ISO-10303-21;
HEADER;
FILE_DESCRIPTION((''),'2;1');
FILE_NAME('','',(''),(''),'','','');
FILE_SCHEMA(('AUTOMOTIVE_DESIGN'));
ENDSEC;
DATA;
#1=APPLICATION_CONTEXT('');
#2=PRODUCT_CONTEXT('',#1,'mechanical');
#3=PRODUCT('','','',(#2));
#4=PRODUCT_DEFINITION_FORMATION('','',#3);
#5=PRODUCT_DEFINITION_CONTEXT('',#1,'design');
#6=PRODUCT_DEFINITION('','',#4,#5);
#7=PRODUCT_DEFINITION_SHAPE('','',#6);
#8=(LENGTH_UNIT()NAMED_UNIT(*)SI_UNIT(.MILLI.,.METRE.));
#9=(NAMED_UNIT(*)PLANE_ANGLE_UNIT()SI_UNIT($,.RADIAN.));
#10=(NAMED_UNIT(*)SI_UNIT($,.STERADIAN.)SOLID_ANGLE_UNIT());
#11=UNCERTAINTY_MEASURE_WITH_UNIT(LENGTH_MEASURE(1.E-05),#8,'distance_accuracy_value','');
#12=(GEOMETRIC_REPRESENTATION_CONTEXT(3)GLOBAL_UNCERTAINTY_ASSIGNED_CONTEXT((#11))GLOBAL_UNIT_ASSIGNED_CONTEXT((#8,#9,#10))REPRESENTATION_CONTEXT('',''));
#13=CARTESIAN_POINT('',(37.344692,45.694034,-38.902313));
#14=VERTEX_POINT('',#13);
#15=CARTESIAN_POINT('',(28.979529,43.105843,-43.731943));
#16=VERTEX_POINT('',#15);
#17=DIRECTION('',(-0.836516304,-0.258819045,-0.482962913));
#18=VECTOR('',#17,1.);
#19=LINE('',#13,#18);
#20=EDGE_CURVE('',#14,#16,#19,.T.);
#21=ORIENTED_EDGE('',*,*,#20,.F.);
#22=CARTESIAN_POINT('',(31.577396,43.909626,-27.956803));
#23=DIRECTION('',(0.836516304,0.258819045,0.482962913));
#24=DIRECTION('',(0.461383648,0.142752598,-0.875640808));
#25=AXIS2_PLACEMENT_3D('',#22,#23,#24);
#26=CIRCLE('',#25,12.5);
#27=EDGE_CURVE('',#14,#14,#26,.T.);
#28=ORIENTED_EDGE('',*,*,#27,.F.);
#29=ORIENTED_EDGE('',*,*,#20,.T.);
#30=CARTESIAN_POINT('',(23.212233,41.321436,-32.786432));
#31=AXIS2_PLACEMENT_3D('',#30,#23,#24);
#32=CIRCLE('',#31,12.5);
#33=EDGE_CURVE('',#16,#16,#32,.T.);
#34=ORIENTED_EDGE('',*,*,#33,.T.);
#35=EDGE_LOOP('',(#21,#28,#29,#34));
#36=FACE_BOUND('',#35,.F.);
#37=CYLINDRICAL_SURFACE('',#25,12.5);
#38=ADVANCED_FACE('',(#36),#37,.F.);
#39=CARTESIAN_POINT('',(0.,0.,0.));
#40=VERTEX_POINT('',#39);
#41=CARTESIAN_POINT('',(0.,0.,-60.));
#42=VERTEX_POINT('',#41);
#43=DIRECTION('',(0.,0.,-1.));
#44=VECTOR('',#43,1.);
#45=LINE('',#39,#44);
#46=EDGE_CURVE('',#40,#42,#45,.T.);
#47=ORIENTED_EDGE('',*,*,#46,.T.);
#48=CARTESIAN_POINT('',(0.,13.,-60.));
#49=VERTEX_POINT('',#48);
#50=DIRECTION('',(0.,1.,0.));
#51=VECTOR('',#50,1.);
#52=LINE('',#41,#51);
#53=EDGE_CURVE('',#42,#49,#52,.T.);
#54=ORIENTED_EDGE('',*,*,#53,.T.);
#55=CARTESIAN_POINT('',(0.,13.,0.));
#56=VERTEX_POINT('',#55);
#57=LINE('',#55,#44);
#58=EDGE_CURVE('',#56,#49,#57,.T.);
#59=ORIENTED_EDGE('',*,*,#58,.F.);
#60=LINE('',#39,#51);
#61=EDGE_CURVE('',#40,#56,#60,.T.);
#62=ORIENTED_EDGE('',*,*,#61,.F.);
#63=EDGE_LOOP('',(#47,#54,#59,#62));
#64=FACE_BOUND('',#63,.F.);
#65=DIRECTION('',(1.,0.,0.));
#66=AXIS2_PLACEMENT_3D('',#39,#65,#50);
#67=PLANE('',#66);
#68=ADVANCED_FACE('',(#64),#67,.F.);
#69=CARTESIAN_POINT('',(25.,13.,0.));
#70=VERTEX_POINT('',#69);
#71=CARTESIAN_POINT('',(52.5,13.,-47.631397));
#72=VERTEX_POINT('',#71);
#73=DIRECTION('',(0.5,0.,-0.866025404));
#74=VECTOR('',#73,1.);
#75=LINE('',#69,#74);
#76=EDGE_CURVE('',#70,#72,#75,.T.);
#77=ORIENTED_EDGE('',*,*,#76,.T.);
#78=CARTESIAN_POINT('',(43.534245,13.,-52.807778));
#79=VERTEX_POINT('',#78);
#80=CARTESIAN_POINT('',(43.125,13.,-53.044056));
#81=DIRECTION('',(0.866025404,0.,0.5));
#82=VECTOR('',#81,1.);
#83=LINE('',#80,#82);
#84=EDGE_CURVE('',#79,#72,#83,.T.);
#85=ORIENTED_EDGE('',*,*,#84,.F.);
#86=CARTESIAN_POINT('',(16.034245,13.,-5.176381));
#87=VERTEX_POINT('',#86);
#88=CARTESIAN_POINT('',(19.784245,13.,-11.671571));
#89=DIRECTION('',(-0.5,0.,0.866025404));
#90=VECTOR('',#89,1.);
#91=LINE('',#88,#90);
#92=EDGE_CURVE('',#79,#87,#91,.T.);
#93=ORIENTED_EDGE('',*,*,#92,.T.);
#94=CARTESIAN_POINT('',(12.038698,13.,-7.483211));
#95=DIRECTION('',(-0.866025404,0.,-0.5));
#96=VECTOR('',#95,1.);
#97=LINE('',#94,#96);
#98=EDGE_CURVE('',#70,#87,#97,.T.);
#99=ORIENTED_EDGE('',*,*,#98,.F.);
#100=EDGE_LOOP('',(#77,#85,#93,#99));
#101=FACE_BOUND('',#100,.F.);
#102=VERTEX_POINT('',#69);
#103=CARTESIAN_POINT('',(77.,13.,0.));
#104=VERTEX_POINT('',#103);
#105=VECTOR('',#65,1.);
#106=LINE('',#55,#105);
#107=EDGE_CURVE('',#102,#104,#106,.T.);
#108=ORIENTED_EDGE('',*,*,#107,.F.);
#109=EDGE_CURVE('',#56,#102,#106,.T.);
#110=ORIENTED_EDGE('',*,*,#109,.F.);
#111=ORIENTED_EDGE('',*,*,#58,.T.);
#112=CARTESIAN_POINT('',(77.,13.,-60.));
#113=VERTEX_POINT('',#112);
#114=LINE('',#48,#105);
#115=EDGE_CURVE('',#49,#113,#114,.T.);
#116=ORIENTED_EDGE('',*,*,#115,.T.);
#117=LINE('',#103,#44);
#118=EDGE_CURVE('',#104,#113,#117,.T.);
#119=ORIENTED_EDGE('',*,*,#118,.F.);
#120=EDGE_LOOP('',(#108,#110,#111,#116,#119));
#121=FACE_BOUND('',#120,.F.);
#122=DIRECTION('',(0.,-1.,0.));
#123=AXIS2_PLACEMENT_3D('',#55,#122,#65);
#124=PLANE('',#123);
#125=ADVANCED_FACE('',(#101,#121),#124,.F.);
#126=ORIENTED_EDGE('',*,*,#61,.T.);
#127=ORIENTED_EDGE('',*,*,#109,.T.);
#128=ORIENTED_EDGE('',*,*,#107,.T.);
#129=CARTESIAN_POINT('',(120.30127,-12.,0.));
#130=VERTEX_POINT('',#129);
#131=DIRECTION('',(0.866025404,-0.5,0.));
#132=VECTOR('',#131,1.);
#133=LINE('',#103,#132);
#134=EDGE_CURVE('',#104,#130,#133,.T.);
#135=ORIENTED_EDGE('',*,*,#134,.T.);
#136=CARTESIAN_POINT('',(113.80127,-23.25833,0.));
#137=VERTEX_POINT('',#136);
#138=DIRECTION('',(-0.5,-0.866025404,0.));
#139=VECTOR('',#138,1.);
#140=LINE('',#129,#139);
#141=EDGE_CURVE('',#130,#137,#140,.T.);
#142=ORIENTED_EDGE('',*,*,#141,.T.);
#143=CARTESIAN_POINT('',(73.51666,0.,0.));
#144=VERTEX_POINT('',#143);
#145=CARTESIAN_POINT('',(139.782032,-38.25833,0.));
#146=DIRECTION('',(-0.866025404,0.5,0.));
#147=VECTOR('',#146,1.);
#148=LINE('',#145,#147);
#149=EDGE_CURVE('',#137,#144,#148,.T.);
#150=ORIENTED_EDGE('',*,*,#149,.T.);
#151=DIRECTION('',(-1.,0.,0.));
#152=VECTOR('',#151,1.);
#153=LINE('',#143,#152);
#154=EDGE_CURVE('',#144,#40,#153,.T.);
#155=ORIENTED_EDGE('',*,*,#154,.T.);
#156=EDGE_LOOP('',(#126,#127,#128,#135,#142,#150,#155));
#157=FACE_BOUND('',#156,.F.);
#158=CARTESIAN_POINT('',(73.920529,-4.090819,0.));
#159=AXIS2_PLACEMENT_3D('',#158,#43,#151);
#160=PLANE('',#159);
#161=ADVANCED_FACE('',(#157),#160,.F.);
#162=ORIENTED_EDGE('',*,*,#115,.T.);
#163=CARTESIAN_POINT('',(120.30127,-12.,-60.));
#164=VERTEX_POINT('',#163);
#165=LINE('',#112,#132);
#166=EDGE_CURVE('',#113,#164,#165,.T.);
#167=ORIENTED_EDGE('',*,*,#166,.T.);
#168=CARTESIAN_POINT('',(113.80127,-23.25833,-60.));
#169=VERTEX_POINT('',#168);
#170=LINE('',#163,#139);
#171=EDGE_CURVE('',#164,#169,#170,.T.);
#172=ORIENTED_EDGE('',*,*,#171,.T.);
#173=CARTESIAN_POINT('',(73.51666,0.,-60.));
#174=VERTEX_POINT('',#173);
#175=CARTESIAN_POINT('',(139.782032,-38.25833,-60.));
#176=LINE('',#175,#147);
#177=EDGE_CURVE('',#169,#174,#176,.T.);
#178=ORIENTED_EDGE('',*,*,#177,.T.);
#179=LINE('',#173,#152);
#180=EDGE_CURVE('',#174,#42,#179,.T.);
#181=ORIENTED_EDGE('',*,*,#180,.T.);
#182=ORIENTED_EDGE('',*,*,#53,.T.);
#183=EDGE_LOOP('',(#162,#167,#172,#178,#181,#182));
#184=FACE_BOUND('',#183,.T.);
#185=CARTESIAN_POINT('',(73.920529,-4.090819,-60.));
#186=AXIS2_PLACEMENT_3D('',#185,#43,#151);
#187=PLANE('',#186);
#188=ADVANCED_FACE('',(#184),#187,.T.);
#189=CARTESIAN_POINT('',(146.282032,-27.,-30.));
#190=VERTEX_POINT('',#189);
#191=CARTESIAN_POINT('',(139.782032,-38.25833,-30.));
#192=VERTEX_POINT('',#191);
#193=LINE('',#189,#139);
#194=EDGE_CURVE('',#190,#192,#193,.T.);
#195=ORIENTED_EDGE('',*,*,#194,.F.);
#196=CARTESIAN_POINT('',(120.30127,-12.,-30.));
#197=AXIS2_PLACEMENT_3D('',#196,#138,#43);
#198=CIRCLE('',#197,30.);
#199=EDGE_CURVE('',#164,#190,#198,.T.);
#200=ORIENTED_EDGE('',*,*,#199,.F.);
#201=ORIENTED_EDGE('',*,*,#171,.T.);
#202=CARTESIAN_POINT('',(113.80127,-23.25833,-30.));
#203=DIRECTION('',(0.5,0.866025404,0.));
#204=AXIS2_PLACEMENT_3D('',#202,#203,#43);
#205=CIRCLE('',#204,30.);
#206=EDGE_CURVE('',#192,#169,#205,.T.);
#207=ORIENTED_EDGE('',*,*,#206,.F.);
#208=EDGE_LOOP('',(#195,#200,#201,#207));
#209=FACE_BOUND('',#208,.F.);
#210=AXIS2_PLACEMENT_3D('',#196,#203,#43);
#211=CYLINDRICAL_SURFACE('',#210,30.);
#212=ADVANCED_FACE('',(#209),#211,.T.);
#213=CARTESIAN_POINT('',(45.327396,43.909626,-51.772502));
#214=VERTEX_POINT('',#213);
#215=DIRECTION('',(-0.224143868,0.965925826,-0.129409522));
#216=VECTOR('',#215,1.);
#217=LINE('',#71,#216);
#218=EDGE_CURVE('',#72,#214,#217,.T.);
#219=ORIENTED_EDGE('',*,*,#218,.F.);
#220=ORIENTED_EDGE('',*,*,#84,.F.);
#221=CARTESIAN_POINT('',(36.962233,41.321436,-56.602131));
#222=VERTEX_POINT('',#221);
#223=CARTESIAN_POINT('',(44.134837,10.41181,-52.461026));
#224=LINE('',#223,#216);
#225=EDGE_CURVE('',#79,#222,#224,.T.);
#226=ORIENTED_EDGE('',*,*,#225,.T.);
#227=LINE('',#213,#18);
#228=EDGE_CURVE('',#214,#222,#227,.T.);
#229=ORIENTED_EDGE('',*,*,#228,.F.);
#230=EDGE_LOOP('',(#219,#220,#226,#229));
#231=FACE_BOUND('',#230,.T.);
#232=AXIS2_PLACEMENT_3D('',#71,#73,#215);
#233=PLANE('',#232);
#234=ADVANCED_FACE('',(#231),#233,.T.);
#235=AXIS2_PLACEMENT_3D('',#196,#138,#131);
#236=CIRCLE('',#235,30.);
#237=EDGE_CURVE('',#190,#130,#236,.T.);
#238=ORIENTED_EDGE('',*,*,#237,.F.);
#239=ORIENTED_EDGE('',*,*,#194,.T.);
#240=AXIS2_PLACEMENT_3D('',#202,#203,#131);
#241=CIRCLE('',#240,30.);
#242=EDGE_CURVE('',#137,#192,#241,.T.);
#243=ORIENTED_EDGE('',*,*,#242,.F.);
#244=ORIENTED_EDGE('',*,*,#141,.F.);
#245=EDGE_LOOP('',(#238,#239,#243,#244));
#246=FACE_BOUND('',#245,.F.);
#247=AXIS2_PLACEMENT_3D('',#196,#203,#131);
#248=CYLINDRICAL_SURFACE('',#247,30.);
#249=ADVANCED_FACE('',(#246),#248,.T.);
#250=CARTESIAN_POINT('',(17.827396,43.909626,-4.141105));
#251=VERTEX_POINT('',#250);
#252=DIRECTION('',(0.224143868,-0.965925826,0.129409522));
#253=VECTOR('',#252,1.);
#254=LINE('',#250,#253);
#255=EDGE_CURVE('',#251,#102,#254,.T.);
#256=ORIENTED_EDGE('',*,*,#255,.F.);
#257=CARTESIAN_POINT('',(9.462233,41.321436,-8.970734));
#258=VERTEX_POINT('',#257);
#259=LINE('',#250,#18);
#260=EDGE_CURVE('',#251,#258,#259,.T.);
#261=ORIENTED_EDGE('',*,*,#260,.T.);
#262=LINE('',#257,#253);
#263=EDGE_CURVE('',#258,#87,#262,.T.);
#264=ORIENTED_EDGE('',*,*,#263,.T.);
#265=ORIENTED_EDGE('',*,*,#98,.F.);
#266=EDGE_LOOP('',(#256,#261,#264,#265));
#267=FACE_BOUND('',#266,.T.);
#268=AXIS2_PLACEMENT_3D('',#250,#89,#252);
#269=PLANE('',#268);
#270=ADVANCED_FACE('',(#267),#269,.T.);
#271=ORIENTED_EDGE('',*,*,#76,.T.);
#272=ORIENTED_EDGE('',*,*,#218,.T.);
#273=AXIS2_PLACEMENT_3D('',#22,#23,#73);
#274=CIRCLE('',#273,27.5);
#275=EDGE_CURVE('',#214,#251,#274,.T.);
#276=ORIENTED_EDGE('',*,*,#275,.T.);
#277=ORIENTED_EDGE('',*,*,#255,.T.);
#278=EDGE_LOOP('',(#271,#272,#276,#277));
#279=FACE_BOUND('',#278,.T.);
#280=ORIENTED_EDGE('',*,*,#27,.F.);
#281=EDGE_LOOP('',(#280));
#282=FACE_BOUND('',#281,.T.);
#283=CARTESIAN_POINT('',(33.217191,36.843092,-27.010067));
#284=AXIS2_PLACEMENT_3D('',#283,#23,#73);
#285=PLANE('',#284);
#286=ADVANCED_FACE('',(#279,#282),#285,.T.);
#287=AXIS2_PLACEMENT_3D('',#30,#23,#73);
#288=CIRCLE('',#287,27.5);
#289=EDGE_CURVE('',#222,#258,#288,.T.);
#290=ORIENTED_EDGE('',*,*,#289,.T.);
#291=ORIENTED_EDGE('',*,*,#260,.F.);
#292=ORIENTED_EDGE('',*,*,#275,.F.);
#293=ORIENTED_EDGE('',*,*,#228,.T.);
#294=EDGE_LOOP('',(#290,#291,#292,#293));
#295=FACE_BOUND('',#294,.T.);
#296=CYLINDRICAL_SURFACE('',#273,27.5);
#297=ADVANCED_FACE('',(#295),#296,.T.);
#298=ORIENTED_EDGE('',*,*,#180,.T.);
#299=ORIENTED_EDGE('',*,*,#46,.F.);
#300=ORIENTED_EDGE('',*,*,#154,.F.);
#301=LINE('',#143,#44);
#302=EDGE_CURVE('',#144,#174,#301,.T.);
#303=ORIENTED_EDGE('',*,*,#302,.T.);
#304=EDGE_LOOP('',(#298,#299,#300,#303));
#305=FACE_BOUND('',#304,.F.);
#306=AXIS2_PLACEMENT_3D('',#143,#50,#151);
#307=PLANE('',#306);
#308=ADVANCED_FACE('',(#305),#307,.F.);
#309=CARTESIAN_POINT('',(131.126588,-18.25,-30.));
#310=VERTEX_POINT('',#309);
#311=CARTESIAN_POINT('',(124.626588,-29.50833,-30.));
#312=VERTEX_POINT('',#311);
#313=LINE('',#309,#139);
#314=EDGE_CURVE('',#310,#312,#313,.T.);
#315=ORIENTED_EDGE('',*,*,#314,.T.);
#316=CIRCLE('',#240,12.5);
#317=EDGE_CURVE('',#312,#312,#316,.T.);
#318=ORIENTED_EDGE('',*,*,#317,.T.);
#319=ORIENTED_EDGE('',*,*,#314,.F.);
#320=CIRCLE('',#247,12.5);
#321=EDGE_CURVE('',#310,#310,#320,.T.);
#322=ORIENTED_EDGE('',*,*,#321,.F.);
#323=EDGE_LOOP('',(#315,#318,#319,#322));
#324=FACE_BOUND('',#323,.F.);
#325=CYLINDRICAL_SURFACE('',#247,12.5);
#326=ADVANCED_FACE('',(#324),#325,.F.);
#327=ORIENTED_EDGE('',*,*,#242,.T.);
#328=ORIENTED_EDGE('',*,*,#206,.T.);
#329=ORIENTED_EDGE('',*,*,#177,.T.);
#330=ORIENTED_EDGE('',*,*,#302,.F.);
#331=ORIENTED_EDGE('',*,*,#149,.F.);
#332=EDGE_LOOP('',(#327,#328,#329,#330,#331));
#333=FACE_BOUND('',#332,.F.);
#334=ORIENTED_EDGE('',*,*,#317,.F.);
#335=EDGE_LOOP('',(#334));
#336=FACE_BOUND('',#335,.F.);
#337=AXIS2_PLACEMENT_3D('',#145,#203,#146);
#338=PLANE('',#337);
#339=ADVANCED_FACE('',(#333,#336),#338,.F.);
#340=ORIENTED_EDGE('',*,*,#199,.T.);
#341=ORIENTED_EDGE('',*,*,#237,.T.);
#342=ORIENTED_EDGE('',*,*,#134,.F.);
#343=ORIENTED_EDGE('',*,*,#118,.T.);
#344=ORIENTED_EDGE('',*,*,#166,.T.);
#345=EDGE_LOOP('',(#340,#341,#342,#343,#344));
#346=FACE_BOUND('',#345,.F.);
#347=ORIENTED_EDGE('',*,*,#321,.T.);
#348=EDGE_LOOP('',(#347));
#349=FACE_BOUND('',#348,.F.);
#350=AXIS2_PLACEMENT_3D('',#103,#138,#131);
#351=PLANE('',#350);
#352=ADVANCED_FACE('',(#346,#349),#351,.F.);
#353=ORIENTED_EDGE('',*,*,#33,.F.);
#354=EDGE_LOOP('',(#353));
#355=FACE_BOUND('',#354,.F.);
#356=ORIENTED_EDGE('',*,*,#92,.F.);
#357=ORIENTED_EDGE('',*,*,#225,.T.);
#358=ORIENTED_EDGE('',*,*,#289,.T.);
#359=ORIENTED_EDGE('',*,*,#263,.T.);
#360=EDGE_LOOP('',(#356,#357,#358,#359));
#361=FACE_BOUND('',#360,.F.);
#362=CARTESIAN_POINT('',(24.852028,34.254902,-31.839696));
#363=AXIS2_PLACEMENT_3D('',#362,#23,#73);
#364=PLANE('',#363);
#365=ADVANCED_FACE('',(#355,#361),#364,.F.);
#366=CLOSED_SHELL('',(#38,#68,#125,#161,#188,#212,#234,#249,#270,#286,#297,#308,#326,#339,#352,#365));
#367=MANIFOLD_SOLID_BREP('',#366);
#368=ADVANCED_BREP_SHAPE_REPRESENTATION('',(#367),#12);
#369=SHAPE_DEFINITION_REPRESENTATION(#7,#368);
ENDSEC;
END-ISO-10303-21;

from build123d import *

# Parameters (mm, degrees)
BOSS_EXTRUDE1_DEPTH = 60
CUT_EXTRUDE1_DEPTH  = 60
SKETCH3_R           = 12.5
CUT_EXTRUDE2_DEPTH  = 60
BOSS_EXTRUDE2_DEPTH = 10
SKETCH6_R           = 12.5
CUT_EXTRUDE3_DEPTH  = 59


with BuildPart() as part:
    # Sketch1 → Boss-Extrude1 (new body)
    with BuildSketch(Plane.XY):
        Polygon((0, 0), (0, 13), (77, 13), (146.282032303, -27), (139.782032303, -38.258330249), (73.516660498, 0), align=None)
    extrude(amount=-BOSS_EXTRUDE1_DEPTH)

    # Sketch2 → Cut-Extrude1 (cut)
    with BuildSketch(Plane(origin=(24.879165125, 43.091978046, 0), x_dir=(0.866025404, -0.5, 0), z_dir=(0.5, 0.866025404, 0))):
        with BuildLine():
            Line((140.183956091, 60), (110.183956091, 60))
            ThreePointArc((110.183956091, 60), (131.397159527, 51.213203436), (140.183956091, 30))
            Line((140.183956091, 30), (140.183956091, 60))
        make_face()
        with BuildLine():
            ThreePointArc((140.183956091, 30), (131.397159527, 8.786796564), (110.183956091, 0))
            Line((110.183956091, 0), (140.183956091, 0))
            Line((140.183956091, 0), (140.183956091, 30))
        make_face()
    extrude(amount=-CUT_EXTRUDE1_DEPTH, mode=Mode.SUBTRACT)

    # Sketch3 → Cut-Extrude2 (cut)
    with BuildSketch(Plane(origin=(24.879165125, 43.091978046, 0), x_dir=(0.866025404, -0.5, 0), z_dir=(0.5, 0.866025404, 0))):
        with Locations((110.183956091, 30)):
            Circle(SKETCH3_R)
    extrude(amount=-CUT_EXTRUDE2_DEPTH, mode=Mode.SUBTRACT)

    # Sketch5 → Boss-Extrude2 (add)
    with BuildSketch(Plane(origin=(20.308570723, 6.283493649, 11.725158774), x_dir=(0.5, 0, -0.866025404), z_dir=(0.836516304, 0.258819045, 0.482962913))):
        with BuildLine():
            Line((12.5, 6.953439041), (67.5, 6.953439041))
            Line((67.5, 6.953439041), (67.5, 38.953439041))
            ThreePointArc((67.5, 38.953439041), (40, 66.453439041), (12.5, 38.953439041))
            Line((12.5, 38.953439041), (12.5, 6.953439041))
        make_face()
    extrude(amount=-BOSS_EXTRUDE2_DEPTH)

    # Sketch6 → Cut-Extrude3 (cut)
    with BuildSketch(Plane(origin=(20.308570723, 6.283493649, 11.725158774), x_dir=(0.461383649, 0.142752598, -0.875640808), z_dir=(0.836516304, 0.258819045, 0.482962913))):
        with Locations((45.317625377, 32.614157099)):
            Circle(SKETCH6_R)
    extrude(amount=-CUT_EXTRUDE3_DEPTH, mode=Mode.SUBTRACT)


solid = part.part
